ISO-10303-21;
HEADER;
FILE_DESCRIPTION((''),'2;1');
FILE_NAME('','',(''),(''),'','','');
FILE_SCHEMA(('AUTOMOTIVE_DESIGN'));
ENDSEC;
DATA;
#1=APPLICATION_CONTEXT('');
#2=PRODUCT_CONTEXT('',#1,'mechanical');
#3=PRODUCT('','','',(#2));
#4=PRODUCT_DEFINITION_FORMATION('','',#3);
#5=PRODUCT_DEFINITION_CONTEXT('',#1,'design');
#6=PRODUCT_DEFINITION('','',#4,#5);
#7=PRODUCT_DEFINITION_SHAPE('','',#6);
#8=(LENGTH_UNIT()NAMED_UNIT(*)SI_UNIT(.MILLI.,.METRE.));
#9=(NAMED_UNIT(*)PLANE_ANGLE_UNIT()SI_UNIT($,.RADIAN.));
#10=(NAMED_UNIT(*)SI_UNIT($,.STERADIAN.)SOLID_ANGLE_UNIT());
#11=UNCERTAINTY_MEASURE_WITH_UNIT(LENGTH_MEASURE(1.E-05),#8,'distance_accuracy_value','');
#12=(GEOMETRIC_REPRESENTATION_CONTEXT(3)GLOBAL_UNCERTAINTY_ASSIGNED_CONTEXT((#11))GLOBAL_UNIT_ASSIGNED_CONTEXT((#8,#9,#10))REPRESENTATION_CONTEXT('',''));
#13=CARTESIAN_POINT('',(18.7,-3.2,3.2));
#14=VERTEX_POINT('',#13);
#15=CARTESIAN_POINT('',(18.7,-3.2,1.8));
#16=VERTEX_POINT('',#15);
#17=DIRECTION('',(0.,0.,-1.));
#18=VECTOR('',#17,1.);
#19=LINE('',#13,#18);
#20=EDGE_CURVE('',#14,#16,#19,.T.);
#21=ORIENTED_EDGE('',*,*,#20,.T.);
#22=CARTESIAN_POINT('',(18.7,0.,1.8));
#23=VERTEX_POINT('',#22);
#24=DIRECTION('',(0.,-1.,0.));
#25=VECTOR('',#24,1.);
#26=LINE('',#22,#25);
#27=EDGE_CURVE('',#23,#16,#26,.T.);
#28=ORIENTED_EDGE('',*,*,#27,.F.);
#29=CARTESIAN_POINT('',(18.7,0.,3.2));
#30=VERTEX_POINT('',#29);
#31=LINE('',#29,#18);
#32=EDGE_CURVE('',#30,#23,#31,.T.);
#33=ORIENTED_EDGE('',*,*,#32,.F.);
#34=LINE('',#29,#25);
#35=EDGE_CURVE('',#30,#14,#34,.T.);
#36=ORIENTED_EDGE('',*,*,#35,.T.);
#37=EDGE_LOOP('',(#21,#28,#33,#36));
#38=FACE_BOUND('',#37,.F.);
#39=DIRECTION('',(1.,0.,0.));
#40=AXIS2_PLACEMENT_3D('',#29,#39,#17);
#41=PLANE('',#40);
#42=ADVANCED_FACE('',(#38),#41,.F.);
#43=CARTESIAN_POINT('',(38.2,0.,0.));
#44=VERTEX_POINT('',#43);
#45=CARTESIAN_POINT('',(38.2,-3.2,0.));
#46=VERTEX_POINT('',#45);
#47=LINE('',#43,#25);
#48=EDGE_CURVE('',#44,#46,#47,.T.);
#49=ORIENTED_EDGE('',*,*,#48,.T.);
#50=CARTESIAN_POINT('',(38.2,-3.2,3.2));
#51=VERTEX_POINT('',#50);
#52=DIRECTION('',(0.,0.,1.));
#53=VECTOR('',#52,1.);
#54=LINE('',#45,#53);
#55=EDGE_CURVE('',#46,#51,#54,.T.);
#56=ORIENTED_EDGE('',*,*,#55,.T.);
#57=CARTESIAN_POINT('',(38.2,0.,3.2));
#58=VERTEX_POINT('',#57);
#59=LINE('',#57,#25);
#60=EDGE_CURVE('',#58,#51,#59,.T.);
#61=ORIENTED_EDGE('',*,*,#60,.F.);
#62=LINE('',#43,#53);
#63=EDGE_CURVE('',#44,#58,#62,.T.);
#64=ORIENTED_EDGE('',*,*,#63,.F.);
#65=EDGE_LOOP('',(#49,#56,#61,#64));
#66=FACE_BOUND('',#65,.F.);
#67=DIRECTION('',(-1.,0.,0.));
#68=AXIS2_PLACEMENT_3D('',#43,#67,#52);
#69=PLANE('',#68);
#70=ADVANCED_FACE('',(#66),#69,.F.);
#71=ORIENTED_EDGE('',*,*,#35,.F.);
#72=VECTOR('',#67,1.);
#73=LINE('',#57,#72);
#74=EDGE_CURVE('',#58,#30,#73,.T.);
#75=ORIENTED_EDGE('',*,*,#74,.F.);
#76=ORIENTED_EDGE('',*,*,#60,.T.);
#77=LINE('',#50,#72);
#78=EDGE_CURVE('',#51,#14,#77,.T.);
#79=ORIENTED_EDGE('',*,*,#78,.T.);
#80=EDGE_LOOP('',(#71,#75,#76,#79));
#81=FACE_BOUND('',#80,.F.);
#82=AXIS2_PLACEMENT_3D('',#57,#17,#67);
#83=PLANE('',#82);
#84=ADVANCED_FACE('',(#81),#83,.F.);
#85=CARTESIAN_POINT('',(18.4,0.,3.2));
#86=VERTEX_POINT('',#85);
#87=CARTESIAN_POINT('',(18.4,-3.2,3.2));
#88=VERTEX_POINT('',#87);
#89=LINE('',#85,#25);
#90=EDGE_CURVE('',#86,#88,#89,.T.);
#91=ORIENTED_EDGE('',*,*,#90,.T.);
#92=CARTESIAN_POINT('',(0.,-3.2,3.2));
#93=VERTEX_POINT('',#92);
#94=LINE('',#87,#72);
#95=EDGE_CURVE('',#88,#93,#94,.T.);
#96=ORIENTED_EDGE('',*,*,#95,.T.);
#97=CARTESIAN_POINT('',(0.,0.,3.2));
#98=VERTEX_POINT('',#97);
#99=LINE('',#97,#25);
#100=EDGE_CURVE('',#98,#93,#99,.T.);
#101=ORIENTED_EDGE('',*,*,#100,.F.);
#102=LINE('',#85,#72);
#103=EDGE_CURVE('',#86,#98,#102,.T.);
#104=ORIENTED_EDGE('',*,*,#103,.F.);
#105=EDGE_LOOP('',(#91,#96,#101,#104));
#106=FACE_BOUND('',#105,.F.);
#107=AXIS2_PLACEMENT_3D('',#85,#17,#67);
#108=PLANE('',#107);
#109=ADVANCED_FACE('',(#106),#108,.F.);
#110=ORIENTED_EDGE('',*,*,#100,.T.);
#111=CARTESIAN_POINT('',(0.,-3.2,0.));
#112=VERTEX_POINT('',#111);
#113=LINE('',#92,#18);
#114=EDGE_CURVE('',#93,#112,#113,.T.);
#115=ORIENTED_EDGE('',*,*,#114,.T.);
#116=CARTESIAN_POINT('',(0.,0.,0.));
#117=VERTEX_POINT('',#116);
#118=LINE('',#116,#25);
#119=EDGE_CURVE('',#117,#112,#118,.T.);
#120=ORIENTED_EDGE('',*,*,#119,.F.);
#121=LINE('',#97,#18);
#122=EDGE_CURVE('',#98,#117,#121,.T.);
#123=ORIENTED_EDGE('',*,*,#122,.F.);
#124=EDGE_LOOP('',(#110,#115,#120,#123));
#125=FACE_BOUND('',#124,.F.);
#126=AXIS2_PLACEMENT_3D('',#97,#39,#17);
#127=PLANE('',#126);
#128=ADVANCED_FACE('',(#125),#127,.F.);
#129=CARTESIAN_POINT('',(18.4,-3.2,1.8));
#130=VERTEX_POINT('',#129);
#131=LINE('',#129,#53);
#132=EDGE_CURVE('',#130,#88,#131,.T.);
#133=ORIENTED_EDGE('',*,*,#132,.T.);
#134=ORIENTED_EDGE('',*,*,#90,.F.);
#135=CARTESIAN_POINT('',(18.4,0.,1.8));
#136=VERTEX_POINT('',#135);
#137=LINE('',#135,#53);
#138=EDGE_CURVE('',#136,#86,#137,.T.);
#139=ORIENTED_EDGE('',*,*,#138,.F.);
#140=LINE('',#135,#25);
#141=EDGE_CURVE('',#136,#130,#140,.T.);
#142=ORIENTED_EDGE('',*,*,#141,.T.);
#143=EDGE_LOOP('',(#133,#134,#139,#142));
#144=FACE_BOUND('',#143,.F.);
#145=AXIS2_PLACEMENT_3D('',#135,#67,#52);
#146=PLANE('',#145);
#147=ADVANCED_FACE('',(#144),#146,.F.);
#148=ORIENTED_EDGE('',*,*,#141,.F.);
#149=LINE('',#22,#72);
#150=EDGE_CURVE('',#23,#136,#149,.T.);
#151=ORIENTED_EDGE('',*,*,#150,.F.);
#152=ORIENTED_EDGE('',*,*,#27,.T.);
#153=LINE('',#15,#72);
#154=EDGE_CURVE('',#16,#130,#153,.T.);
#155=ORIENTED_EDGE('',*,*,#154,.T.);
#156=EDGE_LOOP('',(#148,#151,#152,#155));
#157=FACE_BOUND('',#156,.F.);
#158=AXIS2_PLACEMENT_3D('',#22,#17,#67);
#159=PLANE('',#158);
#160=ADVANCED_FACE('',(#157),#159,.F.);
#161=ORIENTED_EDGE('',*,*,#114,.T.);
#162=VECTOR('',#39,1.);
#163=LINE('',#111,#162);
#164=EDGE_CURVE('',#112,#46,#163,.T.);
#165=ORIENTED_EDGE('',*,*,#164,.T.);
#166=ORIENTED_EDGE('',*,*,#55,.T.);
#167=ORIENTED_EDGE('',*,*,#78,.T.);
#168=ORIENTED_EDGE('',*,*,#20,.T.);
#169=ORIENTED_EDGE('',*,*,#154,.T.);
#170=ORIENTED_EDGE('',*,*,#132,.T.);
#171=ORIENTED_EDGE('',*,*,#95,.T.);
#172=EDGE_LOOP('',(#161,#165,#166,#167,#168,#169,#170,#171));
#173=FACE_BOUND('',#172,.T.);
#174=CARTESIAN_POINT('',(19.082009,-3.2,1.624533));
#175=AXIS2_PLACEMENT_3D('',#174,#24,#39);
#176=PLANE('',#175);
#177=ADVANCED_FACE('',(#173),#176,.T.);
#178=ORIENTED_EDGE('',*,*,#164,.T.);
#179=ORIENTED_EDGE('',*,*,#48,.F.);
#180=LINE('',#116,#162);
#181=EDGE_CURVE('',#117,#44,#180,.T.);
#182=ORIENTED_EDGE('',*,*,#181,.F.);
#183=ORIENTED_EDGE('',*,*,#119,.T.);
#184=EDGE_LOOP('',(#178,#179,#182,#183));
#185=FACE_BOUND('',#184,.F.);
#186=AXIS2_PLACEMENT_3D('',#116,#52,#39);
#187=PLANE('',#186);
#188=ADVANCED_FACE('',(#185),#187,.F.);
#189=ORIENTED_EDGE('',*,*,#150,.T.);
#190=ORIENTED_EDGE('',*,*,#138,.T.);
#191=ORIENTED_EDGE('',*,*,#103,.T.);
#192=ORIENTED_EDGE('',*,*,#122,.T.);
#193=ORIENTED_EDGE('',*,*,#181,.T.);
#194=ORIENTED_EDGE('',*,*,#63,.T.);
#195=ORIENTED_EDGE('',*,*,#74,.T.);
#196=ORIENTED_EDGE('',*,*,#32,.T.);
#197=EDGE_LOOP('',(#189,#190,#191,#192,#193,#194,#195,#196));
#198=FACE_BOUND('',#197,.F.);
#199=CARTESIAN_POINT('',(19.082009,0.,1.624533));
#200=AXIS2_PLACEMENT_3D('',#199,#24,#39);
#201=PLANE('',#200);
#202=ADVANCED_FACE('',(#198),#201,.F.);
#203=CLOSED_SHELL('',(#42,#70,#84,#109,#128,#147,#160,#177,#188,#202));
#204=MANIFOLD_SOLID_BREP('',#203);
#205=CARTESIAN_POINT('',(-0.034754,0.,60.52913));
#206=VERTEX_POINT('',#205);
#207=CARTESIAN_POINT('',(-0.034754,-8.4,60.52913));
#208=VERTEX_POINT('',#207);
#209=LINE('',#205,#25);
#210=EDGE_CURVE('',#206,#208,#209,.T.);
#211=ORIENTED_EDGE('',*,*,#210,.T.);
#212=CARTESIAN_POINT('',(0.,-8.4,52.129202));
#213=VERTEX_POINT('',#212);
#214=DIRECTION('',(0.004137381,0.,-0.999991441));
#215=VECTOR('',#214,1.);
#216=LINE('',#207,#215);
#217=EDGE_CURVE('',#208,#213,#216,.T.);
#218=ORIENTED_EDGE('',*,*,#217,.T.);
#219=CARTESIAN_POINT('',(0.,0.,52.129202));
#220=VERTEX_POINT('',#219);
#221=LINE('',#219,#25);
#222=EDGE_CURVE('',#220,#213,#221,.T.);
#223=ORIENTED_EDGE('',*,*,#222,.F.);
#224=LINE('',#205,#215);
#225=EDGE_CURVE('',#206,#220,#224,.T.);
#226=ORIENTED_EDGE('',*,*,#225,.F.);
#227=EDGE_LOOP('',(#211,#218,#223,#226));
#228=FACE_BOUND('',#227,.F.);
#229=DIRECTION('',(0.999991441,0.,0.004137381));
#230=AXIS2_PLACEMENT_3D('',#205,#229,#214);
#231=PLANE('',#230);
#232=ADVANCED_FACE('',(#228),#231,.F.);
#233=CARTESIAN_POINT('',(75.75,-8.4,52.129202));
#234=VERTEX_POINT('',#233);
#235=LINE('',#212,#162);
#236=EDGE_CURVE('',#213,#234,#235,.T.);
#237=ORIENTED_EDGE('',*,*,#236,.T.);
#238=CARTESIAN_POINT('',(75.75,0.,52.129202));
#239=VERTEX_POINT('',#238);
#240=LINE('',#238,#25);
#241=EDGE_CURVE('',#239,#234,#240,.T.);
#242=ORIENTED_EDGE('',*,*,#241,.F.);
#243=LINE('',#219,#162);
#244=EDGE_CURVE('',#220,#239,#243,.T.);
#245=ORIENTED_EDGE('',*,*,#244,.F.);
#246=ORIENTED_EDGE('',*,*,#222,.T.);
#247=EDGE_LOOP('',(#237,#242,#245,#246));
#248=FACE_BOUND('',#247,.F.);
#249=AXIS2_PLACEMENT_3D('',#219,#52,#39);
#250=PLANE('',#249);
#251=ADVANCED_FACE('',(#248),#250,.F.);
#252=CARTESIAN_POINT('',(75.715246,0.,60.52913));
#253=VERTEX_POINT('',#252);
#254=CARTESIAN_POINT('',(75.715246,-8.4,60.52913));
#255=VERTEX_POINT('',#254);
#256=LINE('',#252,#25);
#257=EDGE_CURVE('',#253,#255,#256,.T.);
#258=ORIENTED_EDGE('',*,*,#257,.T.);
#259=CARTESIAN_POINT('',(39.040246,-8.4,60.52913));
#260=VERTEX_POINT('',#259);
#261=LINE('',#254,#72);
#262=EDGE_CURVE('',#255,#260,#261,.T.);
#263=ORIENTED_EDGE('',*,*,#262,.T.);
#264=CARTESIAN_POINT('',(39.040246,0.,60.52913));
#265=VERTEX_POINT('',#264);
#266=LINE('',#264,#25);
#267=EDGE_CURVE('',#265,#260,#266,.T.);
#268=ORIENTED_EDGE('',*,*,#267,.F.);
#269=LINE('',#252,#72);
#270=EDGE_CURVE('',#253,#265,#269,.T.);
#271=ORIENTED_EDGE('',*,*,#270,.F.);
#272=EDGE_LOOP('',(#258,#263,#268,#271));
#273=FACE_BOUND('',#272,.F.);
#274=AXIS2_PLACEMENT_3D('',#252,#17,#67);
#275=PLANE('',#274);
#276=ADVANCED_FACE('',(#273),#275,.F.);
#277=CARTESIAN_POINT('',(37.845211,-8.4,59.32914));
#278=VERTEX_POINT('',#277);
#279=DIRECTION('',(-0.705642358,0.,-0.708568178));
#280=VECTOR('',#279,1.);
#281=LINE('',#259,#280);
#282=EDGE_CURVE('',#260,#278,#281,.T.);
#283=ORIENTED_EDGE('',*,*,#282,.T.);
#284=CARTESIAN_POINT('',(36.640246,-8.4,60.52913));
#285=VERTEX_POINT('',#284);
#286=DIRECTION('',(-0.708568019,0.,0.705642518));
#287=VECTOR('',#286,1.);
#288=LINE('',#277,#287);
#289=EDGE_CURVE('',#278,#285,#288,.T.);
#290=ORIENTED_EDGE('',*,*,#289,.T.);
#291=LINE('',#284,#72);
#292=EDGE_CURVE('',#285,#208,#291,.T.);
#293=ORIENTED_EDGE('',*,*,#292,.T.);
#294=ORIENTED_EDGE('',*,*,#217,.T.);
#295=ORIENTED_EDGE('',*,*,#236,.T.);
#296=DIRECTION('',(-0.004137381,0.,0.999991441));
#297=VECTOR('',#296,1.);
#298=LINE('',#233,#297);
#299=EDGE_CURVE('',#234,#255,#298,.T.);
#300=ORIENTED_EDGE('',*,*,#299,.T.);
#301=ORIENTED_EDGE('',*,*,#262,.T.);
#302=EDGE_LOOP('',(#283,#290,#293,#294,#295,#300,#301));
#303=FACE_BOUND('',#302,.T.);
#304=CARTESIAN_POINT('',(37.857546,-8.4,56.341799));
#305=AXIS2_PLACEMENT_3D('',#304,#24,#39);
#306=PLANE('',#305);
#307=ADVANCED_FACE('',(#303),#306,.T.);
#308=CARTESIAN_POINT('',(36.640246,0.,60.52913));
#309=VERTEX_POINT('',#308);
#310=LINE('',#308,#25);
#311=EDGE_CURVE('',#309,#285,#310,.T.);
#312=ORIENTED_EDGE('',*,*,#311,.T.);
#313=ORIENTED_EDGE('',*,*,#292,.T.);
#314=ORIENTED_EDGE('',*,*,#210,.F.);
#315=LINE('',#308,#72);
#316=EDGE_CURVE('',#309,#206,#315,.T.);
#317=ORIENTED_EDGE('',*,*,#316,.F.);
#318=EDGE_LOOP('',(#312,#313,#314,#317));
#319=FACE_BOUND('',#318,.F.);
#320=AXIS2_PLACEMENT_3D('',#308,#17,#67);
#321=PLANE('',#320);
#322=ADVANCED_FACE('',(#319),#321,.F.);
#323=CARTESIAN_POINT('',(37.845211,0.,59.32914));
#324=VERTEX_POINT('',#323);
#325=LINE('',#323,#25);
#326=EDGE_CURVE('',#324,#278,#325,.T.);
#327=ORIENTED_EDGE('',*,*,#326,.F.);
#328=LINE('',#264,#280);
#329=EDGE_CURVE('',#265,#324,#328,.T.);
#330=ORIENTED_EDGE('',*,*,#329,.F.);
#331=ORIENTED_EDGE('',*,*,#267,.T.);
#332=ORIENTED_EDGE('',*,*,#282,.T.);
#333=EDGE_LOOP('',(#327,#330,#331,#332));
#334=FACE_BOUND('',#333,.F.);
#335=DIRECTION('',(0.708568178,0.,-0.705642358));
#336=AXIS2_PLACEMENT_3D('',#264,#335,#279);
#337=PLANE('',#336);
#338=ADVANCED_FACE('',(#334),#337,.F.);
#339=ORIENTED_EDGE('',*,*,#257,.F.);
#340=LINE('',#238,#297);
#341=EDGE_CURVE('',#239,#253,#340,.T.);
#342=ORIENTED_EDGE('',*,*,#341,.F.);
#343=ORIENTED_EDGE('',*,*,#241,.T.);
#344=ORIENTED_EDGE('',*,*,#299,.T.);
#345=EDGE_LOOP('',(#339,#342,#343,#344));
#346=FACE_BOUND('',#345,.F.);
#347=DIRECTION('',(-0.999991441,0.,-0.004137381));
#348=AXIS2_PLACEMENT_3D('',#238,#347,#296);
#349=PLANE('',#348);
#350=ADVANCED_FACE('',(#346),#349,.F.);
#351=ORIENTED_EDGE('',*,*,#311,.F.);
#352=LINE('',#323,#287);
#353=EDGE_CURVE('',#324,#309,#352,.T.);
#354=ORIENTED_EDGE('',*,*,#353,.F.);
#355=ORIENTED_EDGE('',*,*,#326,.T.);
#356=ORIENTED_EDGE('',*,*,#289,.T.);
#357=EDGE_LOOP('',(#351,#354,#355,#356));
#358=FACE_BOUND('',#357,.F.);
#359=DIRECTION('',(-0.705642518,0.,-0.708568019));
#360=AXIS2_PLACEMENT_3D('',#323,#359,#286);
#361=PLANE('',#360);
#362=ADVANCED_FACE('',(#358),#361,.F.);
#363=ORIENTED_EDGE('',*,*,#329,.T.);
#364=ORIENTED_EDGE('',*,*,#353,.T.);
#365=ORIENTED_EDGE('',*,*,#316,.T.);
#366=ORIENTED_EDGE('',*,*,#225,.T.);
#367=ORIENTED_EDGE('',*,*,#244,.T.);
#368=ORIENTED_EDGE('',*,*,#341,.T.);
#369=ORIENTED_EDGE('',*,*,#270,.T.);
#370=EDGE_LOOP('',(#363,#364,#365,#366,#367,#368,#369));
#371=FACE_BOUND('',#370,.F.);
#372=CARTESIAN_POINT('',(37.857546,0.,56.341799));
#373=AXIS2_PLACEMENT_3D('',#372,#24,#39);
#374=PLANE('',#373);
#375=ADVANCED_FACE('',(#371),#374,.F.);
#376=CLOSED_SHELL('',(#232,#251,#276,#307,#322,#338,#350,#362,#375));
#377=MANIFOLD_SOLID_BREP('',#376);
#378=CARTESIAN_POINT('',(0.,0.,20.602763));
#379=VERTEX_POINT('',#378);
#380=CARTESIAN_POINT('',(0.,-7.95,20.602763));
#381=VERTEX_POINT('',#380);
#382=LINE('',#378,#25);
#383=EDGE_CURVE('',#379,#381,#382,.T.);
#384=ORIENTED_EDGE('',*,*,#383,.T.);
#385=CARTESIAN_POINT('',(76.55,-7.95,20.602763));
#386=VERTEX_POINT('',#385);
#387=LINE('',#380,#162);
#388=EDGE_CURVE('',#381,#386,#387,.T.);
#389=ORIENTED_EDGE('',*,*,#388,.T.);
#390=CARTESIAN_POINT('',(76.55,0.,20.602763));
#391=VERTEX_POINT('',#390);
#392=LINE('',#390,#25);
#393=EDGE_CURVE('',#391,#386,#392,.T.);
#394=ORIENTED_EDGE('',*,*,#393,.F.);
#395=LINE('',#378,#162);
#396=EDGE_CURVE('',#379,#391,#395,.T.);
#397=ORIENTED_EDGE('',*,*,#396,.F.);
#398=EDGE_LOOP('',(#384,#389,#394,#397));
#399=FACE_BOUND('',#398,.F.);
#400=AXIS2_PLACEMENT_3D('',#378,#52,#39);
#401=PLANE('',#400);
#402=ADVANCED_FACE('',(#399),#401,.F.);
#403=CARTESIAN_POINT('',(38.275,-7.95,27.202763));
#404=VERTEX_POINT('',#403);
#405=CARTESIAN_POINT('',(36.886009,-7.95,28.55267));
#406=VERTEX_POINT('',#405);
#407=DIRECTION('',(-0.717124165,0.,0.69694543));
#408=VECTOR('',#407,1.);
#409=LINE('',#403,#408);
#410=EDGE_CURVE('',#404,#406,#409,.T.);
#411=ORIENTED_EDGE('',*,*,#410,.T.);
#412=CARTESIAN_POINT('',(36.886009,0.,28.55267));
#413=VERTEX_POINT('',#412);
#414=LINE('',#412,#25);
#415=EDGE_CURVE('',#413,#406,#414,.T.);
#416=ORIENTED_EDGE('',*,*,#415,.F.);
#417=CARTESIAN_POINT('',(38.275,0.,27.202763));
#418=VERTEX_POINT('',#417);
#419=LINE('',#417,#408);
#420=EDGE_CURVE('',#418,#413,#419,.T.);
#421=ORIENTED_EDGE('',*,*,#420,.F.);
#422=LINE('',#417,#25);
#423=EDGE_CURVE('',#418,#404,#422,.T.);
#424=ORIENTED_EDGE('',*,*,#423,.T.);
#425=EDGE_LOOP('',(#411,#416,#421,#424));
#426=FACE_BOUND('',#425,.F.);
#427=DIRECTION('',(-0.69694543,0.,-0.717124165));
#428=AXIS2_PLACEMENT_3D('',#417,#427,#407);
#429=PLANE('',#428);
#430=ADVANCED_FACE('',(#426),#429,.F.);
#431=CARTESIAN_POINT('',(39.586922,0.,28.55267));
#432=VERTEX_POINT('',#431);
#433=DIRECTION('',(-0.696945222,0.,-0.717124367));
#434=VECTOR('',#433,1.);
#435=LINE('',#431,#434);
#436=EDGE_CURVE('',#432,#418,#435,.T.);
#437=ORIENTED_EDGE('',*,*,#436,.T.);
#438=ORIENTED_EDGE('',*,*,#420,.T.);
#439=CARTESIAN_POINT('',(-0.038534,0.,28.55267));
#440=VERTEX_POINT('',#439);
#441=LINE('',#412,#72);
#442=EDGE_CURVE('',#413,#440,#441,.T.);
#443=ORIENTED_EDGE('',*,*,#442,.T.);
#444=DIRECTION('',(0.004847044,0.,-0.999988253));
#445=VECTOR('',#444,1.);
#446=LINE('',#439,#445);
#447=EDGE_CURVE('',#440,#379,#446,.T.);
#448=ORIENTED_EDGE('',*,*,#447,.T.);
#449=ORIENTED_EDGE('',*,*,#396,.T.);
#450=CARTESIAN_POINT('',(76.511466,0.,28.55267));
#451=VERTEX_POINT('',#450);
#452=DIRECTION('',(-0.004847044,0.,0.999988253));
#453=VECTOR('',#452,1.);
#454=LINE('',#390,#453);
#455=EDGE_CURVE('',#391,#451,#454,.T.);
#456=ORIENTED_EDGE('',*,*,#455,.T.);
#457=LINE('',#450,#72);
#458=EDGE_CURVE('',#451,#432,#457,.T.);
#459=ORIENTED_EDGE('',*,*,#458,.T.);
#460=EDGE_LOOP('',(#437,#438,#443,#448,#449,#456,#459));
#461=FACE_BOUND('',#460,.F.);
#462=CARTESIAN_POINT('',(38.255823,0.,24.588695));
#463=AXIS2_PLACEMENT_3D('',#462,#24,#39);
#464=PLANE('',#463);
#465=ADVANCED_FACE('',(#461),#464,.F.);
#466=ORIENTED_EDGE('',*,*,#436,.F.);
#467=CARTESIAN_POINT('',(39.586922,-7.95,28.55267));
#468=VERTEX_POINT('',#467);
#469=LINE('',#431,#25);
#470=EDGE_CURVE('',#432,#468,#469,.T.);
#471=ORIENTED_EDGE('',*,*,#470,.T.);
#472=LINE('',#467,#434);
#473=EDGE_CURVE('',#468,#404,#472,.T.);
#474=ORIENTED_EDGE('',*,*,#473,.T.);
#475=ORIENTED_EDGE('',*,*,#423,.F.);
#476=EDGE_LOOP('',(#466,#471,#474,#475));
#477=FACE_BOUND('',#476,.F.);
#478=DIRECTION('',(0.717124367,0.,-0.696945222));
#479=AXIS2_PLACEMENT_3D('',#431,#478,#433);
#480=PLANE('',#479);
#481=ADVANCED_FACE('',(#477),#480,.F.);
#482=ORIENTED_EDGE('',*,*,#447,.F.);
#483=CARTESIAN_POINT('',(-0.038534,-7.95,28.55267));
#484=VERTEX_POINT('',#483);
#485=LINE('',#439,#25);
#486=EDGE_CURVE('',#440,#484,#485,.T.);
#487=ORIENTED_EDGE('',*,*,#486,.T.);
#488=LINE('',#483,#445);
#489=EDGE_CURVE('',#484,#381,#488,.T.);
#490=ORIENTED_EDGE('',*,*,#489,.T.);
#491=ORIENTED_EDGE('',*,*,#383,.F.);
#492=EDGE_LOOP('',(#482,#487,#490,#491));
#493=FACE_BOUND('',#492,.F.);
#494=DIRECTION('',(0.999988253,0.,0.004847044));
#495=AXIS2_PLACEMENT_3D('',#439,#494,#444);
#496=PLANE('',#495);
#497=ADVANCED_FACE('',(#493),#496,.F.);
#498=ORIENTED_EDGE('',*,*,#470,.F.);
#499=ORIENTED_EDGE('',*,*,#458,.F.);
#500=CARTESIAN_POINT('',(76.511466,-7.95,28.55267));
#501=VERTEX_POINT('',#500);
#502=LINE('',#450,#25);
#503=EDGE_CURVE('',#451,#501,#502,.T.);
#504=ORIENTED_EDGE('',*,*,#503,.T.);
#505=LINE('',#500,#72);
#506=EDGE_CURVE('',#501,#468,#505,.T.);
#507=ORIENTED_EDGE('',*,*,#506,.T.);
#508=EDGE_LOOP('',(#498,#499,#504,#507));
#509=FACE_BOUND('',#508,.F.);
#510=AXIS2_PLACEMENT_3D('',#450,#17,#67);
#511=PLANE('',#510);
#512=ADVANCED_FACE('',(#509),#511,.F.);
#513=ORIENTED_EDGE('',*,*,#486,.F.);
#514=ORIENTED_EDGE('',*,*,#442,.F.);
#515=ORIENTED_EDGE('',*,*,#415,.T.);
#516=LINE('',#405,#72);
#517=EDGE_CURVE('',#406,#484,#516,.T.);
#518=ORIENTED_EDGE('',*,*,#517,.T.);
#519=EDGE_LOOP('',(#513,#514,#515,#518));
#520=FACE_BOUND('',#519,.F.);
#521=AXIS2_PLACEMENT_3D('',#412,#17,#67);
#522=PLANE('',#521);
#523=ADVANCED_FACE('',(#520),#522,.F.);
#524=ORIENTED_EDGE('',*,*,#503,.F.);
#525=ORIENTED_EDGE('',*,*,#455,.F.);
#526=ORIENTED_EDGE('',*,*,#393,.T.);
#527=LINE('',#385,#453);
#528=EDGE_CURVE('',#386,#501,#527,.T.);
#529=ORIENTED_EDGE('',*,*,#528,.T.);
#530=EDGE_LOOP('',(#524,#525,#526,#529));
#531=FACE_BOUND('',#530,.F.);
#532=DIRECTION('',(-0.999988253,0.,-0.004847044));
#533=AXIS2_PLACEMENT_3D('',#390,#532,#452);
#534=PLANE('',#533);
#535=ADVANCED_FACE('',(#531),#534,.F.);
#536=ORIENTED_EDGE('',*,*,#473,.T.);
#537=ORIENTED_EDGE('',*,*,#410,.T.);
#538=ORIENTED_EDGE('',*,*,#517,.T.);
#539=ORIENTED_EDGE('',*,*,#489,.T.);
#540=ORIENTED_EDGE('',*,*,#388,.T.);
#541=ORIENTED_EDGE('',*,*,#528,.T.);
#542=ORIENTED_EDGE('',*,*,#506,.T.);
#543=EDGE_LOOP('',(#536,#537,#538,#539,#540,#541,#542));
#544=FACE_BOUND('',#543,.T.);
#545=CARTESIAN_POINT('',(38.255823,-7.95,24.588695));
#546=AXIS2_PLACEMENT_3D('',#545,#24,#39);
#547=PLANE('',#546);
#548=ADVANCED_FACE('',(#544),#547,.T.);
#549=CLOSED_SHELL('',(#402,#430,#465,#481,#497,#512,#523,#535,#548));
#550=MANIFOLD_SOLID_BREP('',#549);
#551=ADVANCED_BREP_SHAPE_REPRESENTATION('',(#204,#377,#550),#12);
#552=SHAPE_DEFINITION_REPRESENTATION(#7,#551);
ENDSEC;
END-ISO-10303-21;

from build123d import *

# Parameters (mm, degrees)
F1_DEPTH = 3.2
F3_DEPTH = 7.95
F5_DEPTH = 8.4


with BuildPart() as f1:
    # F0 (on Front) → F1 (new body)
    with BuildSketch(Plane.XZ):
        Polygon((0, 3.2), (0, 0), (38.2, 0), (38.2, 3.2), (18.7, 3.2), (18.7, 1.8), (18.4, 1.8), (18.4, 3.2), align=None)
    extrude(amount=F1_DEPTH)


with BuildPart() as f3:
    # F2 (on Front) → F3 (new body)
    with BuildSketch(Plane.XZ):
        Polygon((-0.038534, 28.55267), (0, 20.602763), (76.55, 20.602763), (76.511466, 28.55267), (39.586922, 28.55267), (38.275, 27.202763), (36.886009, 28.55267), align=None)
    extrude(amount=F3_DEPTH)


with BuildPart() as f5:
    # F4 (on Front) → F5 (new body)
    with BuildSketch(Plane.XZ):
        Polygon((-0.034754, 60.52913), (0, 52.129202), (75.75, 52.129202), (75.715246, 60.52913), (39.040246, 60.52913), (37.845211, 59.32914), (36.640246, 60.52913), align=None)
    extrude(amount=F5_DEPTH)


solid = Compound([f1.part, f3.part, f5.part])
